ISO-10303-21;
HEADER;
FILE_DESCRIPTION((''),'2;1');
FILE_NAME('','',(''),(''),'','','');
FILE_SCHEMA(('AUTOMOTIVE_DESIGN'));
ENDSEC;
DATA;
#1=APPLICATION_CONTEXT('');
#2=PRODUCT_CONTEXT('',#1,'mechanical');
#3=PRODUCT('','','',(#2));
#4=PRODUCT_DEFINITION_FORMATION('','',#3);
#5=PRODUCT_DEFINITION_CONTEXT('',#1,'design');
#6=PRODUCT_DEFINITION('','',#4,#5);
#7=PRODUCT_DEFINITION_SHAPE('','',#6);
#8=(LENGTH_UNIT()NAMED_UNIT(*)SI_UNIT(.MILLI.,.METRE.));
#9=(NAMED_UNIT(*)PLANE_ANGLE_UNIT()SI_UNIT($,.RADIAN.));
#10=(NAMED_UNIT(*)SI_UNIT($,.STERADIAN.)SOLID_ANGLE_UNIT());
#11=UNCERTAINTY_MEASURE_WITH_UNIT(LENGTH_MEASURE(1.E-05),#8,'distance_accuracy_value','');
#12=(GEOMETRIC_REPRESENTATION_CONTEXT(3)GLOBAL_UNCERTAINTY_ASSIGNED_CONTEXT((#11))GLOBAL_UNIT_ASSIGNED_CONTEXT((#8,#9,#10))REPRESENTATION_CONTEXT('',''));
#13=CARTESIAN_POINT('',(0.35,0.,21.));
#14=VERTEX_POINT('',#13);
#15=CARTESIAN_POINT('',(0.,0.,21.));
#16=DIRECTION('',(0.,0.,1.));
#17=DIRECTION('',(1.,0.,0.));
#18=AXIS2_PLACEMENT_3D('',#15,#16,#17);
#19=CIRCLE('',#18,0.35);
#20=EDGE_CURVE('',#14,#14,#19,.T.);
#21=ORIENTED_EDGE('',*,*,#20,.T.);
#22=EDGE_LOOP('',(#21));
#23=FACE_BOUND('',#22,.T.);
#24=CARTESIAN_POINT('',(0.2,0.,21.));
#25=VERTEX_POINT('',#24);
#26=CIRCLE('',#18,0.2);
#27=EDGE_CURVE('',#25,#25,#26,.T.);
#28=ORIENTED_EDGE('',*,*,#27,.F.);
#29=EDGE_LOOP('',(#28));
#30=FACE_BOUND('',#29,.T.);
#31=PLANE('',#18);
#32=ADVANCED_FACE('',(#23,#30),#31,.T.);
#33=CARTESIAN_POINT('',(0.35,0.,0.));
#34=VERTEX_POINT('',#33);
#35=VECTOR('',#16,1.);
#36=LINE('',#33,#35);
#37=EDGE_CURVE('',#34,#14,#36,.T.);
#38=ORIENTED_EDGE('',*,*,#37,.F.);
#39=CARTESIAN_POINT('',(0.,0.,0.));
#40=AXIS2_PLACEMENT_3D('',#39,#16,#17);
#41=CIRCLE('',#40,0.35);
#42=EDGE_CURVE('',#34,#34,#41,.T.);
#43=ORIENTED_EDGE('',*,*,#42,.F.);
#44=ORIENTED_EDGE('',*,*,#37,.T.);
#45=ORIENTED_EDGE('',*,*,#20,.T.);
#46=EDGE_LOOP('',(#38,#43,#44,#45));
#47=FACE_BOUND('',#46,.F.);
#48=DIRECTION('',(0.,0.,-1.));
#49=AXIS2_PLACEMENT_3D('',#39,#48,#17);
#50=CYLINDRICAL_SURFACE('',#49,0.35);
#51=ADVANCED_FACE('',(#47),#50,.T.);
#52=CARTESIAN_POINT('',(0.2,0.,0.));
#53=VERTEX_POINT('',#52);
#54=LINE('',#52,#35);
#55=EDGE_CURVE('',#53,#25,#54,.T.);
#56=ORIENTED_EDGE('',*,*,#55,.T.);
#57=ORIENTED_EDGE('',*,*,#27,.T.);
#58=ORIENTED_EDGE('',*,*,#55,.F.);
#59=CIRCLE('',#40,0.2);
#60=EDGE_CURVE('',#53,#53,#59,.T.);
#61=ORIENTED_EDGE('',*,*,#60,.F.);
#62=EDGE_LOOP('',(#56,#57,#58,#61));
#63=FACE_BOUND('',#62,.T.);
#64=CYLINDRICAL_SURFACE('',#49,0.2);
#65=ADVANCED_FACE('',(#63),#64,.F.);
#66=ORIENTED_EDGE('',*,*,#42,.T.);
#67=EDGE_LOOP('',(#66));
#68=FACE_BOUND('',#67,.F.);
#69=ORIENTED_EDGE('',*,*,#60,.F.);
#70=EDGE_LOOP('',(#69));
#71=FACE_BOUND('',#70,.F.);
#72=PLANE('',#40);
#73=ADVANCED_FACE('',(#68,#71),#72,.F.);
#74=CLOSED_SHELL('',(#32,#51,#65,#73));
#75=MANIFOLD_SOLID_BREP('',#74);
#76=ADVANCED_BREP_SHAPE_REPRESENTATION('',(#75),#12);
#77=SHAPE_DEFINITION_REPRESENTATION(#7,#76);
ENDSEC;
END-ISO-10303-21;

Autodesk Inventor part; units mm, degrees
ref_plane "YZ Plane" through (0, 0, 0) normal (1, 0, 0) x (0, 1, 0)
ref_plane "XZ Plane" through (0, 0, 0) normal (0, 1, 0) x (-1, 0, 0)
ref_plane "XY Plane" through (0, 0, 0) normal (0, 0, 1) x (1, 0, 0)
sketch "Skizze6" plane through (0, 0, 0) normal (0, 0, 1) x (1, 0, 0)
  circle A0 centre (0, 0) radius 0.2
  circle A1 centre (0, 0) radius 0.35
  dimension "d30" = 0.7
  dimension "d31" = 0.4
extrude "Extrusion4" add sketch "Skizze6" along normal blind 21
properties part number "BT009_huenin20_23" material "Edelstahl"
